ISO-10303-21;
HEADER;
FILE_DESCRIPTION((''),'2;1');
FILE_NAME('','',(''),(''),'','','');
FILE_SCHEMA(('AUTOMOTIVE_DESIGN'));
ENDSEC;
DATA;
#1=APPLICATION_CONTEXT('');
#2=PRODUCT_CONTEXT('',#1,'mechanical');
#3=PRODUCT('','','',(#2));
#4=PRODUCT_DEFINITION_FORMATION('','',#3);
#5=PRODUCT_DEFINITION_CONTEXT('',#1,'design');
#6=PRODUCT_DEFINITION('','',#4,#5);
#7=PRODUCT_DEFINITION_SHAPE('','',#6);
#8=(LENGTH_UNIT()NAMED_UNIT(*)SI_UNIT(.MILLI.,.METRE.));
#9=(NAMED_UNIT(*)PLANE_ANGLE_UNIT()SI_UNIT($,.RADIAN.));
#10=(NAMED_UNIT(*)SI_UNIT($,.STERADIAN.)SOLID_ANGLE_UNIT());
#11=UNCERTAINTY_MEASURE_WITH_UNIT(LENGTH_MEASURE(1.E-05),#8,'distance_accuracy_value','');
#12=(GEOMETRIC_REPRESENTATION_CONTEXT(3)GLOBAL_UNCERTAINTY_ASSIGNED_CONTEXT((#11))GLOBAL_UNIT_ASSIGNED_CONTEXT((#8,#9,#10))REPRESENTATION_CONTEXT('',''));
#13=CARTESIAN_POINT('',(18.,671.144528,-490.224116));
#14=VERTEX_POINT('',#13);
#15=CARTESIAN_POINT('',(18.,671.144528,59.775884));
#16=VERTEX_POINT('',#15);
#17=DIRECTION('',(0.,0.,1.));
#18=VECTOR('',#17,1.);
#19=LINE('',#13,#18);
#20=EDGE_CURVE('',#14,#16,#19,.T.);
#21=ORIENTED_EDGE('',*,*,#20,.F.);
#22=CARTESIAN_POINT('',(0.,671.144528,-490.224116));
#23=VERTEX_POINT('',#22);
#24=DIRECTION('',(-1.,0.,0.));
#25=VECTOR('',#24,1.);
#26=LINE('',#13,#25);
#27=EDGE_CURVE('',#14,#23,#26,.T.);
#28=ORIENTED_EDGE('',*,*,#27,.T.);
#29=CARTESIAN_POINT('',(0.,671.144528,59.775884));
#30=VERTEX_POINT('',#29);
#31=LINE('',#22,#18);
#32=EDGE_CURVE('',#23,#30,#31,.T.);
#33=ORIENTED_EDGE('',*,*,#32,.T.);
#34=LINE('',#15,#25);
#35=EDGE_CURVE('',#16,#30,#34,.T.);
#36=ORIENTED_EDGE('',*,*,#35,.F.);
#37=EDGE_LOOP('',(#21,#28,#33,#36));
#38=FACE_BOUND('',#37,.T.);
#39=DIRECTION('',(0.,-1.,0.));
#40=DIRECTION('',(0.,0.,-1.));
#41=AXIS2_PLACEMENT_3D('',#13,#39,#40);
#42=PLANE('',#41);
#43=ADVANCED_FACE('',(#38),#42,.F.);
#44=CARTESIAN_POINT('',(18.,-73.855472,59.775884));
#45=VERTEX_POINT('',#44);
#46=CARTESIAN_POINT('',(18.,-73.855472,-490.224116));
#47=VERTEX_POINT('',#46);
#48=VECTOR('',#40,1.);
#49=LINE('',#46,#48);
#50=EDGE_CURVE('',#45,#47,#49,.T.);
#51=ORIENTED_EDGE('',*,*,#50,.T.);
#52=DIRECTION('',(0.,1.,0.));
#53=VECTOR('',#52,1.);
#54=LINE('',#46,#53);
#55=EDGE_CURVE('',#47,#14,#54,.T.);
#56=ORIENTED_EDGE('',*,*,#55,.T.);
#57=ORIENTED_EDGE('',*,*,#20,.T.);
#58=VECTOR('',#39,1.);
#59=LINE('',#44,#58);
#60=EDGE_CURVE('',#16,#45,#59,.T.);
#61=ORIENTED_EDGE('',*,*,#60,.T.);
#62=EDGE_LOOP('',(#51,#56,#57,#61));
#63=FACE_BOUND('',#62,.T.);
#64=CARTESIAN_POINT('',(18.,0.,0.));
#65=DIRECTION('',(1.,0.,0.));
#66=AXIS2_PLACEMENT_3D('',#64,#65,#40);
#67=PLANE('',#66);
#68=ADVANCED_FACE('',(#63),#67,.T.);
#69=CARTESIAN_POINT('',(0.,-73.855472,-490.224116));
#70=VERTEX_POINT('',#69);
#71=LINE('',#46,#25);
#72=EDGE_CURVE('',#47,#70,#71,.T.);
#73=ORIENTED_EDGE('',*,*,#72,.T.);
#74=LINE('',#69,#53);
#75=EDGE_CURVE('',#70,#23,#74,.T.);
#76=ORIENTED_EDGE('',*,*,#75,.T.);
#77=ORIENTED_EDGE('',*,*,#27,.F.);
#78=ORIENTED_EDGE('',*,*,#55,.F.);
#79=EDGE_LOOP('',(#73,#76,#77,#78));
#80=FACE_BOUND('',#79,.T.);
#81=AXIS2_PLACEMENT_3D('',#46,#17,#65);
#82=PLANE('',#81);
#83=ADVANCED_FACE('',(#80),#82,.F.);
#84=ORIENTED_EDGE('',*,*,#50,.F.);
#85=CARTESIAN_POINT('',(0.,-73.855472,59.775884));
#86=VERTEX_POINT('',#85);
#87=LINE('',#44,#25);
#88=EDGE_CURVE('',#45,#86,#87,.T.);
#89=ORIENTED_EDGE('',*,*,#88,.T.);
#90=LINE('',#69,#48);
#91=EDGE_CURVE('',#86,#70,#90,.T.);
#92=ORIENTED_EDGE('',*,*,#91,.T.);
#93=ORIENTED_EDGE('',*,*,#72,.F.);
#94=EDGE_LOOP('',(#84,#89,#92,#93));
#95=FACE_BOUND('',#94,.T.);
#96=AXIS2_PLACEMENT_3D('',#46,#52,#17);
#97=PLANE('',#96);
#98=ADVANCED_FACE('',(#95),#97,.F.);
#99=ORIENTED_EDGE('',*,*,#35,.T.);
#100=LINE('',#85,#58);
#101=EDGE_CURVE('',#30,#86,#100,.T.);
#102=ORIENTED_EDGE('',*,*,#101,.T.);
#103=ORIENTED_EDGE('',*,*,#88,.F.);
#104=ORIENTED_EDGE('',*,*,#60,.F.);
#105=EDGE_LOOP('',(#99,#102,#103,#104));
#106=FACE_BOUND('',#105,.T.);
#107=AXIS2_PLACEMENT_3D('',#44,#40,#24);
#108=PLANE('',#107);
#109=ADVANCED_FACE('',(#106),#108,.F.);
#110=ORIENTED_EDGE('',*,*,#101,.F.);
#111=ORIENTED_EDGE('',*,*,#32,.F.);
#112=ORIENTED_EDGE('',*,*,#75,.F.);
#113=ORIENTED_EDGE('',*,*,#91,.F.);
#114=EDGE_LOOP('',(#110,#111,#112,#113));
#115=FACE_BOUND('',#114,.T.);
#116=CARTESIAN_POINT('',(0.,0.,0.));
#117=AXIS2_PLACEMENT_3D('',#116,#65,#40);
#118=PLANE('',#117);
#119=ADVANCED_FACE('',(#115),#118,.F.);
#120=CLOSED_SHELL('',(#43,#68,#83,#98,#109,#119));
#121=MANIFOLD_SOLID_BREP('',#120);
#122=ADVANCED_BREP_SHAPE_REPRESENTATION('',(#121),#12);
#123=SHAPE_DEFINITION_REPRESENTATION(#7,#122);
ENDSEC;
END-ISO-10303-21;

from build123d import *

# Parameters (mm, degrees)
SKETCH1_W           = 550
SKETCH1_H           = 745
BOSS_EXTRUDE1_DEPTH = 18


with BuildPart() as part:
    # Sketch1 → Boss-Extrude1 (new body)
    with BuildSketch(Plane(origin=(0, 0, 0), x_dir=(0, 0, -1), z_dir=(1, 0, 0))):
        with Locations((215.224115979, 298.644528483)):
            Rectangle(SKETCH1_W, SKETCH1_H)
    extrude(amount=BOSS_EXTRUDE1_DEPTH)


solid = part.part
